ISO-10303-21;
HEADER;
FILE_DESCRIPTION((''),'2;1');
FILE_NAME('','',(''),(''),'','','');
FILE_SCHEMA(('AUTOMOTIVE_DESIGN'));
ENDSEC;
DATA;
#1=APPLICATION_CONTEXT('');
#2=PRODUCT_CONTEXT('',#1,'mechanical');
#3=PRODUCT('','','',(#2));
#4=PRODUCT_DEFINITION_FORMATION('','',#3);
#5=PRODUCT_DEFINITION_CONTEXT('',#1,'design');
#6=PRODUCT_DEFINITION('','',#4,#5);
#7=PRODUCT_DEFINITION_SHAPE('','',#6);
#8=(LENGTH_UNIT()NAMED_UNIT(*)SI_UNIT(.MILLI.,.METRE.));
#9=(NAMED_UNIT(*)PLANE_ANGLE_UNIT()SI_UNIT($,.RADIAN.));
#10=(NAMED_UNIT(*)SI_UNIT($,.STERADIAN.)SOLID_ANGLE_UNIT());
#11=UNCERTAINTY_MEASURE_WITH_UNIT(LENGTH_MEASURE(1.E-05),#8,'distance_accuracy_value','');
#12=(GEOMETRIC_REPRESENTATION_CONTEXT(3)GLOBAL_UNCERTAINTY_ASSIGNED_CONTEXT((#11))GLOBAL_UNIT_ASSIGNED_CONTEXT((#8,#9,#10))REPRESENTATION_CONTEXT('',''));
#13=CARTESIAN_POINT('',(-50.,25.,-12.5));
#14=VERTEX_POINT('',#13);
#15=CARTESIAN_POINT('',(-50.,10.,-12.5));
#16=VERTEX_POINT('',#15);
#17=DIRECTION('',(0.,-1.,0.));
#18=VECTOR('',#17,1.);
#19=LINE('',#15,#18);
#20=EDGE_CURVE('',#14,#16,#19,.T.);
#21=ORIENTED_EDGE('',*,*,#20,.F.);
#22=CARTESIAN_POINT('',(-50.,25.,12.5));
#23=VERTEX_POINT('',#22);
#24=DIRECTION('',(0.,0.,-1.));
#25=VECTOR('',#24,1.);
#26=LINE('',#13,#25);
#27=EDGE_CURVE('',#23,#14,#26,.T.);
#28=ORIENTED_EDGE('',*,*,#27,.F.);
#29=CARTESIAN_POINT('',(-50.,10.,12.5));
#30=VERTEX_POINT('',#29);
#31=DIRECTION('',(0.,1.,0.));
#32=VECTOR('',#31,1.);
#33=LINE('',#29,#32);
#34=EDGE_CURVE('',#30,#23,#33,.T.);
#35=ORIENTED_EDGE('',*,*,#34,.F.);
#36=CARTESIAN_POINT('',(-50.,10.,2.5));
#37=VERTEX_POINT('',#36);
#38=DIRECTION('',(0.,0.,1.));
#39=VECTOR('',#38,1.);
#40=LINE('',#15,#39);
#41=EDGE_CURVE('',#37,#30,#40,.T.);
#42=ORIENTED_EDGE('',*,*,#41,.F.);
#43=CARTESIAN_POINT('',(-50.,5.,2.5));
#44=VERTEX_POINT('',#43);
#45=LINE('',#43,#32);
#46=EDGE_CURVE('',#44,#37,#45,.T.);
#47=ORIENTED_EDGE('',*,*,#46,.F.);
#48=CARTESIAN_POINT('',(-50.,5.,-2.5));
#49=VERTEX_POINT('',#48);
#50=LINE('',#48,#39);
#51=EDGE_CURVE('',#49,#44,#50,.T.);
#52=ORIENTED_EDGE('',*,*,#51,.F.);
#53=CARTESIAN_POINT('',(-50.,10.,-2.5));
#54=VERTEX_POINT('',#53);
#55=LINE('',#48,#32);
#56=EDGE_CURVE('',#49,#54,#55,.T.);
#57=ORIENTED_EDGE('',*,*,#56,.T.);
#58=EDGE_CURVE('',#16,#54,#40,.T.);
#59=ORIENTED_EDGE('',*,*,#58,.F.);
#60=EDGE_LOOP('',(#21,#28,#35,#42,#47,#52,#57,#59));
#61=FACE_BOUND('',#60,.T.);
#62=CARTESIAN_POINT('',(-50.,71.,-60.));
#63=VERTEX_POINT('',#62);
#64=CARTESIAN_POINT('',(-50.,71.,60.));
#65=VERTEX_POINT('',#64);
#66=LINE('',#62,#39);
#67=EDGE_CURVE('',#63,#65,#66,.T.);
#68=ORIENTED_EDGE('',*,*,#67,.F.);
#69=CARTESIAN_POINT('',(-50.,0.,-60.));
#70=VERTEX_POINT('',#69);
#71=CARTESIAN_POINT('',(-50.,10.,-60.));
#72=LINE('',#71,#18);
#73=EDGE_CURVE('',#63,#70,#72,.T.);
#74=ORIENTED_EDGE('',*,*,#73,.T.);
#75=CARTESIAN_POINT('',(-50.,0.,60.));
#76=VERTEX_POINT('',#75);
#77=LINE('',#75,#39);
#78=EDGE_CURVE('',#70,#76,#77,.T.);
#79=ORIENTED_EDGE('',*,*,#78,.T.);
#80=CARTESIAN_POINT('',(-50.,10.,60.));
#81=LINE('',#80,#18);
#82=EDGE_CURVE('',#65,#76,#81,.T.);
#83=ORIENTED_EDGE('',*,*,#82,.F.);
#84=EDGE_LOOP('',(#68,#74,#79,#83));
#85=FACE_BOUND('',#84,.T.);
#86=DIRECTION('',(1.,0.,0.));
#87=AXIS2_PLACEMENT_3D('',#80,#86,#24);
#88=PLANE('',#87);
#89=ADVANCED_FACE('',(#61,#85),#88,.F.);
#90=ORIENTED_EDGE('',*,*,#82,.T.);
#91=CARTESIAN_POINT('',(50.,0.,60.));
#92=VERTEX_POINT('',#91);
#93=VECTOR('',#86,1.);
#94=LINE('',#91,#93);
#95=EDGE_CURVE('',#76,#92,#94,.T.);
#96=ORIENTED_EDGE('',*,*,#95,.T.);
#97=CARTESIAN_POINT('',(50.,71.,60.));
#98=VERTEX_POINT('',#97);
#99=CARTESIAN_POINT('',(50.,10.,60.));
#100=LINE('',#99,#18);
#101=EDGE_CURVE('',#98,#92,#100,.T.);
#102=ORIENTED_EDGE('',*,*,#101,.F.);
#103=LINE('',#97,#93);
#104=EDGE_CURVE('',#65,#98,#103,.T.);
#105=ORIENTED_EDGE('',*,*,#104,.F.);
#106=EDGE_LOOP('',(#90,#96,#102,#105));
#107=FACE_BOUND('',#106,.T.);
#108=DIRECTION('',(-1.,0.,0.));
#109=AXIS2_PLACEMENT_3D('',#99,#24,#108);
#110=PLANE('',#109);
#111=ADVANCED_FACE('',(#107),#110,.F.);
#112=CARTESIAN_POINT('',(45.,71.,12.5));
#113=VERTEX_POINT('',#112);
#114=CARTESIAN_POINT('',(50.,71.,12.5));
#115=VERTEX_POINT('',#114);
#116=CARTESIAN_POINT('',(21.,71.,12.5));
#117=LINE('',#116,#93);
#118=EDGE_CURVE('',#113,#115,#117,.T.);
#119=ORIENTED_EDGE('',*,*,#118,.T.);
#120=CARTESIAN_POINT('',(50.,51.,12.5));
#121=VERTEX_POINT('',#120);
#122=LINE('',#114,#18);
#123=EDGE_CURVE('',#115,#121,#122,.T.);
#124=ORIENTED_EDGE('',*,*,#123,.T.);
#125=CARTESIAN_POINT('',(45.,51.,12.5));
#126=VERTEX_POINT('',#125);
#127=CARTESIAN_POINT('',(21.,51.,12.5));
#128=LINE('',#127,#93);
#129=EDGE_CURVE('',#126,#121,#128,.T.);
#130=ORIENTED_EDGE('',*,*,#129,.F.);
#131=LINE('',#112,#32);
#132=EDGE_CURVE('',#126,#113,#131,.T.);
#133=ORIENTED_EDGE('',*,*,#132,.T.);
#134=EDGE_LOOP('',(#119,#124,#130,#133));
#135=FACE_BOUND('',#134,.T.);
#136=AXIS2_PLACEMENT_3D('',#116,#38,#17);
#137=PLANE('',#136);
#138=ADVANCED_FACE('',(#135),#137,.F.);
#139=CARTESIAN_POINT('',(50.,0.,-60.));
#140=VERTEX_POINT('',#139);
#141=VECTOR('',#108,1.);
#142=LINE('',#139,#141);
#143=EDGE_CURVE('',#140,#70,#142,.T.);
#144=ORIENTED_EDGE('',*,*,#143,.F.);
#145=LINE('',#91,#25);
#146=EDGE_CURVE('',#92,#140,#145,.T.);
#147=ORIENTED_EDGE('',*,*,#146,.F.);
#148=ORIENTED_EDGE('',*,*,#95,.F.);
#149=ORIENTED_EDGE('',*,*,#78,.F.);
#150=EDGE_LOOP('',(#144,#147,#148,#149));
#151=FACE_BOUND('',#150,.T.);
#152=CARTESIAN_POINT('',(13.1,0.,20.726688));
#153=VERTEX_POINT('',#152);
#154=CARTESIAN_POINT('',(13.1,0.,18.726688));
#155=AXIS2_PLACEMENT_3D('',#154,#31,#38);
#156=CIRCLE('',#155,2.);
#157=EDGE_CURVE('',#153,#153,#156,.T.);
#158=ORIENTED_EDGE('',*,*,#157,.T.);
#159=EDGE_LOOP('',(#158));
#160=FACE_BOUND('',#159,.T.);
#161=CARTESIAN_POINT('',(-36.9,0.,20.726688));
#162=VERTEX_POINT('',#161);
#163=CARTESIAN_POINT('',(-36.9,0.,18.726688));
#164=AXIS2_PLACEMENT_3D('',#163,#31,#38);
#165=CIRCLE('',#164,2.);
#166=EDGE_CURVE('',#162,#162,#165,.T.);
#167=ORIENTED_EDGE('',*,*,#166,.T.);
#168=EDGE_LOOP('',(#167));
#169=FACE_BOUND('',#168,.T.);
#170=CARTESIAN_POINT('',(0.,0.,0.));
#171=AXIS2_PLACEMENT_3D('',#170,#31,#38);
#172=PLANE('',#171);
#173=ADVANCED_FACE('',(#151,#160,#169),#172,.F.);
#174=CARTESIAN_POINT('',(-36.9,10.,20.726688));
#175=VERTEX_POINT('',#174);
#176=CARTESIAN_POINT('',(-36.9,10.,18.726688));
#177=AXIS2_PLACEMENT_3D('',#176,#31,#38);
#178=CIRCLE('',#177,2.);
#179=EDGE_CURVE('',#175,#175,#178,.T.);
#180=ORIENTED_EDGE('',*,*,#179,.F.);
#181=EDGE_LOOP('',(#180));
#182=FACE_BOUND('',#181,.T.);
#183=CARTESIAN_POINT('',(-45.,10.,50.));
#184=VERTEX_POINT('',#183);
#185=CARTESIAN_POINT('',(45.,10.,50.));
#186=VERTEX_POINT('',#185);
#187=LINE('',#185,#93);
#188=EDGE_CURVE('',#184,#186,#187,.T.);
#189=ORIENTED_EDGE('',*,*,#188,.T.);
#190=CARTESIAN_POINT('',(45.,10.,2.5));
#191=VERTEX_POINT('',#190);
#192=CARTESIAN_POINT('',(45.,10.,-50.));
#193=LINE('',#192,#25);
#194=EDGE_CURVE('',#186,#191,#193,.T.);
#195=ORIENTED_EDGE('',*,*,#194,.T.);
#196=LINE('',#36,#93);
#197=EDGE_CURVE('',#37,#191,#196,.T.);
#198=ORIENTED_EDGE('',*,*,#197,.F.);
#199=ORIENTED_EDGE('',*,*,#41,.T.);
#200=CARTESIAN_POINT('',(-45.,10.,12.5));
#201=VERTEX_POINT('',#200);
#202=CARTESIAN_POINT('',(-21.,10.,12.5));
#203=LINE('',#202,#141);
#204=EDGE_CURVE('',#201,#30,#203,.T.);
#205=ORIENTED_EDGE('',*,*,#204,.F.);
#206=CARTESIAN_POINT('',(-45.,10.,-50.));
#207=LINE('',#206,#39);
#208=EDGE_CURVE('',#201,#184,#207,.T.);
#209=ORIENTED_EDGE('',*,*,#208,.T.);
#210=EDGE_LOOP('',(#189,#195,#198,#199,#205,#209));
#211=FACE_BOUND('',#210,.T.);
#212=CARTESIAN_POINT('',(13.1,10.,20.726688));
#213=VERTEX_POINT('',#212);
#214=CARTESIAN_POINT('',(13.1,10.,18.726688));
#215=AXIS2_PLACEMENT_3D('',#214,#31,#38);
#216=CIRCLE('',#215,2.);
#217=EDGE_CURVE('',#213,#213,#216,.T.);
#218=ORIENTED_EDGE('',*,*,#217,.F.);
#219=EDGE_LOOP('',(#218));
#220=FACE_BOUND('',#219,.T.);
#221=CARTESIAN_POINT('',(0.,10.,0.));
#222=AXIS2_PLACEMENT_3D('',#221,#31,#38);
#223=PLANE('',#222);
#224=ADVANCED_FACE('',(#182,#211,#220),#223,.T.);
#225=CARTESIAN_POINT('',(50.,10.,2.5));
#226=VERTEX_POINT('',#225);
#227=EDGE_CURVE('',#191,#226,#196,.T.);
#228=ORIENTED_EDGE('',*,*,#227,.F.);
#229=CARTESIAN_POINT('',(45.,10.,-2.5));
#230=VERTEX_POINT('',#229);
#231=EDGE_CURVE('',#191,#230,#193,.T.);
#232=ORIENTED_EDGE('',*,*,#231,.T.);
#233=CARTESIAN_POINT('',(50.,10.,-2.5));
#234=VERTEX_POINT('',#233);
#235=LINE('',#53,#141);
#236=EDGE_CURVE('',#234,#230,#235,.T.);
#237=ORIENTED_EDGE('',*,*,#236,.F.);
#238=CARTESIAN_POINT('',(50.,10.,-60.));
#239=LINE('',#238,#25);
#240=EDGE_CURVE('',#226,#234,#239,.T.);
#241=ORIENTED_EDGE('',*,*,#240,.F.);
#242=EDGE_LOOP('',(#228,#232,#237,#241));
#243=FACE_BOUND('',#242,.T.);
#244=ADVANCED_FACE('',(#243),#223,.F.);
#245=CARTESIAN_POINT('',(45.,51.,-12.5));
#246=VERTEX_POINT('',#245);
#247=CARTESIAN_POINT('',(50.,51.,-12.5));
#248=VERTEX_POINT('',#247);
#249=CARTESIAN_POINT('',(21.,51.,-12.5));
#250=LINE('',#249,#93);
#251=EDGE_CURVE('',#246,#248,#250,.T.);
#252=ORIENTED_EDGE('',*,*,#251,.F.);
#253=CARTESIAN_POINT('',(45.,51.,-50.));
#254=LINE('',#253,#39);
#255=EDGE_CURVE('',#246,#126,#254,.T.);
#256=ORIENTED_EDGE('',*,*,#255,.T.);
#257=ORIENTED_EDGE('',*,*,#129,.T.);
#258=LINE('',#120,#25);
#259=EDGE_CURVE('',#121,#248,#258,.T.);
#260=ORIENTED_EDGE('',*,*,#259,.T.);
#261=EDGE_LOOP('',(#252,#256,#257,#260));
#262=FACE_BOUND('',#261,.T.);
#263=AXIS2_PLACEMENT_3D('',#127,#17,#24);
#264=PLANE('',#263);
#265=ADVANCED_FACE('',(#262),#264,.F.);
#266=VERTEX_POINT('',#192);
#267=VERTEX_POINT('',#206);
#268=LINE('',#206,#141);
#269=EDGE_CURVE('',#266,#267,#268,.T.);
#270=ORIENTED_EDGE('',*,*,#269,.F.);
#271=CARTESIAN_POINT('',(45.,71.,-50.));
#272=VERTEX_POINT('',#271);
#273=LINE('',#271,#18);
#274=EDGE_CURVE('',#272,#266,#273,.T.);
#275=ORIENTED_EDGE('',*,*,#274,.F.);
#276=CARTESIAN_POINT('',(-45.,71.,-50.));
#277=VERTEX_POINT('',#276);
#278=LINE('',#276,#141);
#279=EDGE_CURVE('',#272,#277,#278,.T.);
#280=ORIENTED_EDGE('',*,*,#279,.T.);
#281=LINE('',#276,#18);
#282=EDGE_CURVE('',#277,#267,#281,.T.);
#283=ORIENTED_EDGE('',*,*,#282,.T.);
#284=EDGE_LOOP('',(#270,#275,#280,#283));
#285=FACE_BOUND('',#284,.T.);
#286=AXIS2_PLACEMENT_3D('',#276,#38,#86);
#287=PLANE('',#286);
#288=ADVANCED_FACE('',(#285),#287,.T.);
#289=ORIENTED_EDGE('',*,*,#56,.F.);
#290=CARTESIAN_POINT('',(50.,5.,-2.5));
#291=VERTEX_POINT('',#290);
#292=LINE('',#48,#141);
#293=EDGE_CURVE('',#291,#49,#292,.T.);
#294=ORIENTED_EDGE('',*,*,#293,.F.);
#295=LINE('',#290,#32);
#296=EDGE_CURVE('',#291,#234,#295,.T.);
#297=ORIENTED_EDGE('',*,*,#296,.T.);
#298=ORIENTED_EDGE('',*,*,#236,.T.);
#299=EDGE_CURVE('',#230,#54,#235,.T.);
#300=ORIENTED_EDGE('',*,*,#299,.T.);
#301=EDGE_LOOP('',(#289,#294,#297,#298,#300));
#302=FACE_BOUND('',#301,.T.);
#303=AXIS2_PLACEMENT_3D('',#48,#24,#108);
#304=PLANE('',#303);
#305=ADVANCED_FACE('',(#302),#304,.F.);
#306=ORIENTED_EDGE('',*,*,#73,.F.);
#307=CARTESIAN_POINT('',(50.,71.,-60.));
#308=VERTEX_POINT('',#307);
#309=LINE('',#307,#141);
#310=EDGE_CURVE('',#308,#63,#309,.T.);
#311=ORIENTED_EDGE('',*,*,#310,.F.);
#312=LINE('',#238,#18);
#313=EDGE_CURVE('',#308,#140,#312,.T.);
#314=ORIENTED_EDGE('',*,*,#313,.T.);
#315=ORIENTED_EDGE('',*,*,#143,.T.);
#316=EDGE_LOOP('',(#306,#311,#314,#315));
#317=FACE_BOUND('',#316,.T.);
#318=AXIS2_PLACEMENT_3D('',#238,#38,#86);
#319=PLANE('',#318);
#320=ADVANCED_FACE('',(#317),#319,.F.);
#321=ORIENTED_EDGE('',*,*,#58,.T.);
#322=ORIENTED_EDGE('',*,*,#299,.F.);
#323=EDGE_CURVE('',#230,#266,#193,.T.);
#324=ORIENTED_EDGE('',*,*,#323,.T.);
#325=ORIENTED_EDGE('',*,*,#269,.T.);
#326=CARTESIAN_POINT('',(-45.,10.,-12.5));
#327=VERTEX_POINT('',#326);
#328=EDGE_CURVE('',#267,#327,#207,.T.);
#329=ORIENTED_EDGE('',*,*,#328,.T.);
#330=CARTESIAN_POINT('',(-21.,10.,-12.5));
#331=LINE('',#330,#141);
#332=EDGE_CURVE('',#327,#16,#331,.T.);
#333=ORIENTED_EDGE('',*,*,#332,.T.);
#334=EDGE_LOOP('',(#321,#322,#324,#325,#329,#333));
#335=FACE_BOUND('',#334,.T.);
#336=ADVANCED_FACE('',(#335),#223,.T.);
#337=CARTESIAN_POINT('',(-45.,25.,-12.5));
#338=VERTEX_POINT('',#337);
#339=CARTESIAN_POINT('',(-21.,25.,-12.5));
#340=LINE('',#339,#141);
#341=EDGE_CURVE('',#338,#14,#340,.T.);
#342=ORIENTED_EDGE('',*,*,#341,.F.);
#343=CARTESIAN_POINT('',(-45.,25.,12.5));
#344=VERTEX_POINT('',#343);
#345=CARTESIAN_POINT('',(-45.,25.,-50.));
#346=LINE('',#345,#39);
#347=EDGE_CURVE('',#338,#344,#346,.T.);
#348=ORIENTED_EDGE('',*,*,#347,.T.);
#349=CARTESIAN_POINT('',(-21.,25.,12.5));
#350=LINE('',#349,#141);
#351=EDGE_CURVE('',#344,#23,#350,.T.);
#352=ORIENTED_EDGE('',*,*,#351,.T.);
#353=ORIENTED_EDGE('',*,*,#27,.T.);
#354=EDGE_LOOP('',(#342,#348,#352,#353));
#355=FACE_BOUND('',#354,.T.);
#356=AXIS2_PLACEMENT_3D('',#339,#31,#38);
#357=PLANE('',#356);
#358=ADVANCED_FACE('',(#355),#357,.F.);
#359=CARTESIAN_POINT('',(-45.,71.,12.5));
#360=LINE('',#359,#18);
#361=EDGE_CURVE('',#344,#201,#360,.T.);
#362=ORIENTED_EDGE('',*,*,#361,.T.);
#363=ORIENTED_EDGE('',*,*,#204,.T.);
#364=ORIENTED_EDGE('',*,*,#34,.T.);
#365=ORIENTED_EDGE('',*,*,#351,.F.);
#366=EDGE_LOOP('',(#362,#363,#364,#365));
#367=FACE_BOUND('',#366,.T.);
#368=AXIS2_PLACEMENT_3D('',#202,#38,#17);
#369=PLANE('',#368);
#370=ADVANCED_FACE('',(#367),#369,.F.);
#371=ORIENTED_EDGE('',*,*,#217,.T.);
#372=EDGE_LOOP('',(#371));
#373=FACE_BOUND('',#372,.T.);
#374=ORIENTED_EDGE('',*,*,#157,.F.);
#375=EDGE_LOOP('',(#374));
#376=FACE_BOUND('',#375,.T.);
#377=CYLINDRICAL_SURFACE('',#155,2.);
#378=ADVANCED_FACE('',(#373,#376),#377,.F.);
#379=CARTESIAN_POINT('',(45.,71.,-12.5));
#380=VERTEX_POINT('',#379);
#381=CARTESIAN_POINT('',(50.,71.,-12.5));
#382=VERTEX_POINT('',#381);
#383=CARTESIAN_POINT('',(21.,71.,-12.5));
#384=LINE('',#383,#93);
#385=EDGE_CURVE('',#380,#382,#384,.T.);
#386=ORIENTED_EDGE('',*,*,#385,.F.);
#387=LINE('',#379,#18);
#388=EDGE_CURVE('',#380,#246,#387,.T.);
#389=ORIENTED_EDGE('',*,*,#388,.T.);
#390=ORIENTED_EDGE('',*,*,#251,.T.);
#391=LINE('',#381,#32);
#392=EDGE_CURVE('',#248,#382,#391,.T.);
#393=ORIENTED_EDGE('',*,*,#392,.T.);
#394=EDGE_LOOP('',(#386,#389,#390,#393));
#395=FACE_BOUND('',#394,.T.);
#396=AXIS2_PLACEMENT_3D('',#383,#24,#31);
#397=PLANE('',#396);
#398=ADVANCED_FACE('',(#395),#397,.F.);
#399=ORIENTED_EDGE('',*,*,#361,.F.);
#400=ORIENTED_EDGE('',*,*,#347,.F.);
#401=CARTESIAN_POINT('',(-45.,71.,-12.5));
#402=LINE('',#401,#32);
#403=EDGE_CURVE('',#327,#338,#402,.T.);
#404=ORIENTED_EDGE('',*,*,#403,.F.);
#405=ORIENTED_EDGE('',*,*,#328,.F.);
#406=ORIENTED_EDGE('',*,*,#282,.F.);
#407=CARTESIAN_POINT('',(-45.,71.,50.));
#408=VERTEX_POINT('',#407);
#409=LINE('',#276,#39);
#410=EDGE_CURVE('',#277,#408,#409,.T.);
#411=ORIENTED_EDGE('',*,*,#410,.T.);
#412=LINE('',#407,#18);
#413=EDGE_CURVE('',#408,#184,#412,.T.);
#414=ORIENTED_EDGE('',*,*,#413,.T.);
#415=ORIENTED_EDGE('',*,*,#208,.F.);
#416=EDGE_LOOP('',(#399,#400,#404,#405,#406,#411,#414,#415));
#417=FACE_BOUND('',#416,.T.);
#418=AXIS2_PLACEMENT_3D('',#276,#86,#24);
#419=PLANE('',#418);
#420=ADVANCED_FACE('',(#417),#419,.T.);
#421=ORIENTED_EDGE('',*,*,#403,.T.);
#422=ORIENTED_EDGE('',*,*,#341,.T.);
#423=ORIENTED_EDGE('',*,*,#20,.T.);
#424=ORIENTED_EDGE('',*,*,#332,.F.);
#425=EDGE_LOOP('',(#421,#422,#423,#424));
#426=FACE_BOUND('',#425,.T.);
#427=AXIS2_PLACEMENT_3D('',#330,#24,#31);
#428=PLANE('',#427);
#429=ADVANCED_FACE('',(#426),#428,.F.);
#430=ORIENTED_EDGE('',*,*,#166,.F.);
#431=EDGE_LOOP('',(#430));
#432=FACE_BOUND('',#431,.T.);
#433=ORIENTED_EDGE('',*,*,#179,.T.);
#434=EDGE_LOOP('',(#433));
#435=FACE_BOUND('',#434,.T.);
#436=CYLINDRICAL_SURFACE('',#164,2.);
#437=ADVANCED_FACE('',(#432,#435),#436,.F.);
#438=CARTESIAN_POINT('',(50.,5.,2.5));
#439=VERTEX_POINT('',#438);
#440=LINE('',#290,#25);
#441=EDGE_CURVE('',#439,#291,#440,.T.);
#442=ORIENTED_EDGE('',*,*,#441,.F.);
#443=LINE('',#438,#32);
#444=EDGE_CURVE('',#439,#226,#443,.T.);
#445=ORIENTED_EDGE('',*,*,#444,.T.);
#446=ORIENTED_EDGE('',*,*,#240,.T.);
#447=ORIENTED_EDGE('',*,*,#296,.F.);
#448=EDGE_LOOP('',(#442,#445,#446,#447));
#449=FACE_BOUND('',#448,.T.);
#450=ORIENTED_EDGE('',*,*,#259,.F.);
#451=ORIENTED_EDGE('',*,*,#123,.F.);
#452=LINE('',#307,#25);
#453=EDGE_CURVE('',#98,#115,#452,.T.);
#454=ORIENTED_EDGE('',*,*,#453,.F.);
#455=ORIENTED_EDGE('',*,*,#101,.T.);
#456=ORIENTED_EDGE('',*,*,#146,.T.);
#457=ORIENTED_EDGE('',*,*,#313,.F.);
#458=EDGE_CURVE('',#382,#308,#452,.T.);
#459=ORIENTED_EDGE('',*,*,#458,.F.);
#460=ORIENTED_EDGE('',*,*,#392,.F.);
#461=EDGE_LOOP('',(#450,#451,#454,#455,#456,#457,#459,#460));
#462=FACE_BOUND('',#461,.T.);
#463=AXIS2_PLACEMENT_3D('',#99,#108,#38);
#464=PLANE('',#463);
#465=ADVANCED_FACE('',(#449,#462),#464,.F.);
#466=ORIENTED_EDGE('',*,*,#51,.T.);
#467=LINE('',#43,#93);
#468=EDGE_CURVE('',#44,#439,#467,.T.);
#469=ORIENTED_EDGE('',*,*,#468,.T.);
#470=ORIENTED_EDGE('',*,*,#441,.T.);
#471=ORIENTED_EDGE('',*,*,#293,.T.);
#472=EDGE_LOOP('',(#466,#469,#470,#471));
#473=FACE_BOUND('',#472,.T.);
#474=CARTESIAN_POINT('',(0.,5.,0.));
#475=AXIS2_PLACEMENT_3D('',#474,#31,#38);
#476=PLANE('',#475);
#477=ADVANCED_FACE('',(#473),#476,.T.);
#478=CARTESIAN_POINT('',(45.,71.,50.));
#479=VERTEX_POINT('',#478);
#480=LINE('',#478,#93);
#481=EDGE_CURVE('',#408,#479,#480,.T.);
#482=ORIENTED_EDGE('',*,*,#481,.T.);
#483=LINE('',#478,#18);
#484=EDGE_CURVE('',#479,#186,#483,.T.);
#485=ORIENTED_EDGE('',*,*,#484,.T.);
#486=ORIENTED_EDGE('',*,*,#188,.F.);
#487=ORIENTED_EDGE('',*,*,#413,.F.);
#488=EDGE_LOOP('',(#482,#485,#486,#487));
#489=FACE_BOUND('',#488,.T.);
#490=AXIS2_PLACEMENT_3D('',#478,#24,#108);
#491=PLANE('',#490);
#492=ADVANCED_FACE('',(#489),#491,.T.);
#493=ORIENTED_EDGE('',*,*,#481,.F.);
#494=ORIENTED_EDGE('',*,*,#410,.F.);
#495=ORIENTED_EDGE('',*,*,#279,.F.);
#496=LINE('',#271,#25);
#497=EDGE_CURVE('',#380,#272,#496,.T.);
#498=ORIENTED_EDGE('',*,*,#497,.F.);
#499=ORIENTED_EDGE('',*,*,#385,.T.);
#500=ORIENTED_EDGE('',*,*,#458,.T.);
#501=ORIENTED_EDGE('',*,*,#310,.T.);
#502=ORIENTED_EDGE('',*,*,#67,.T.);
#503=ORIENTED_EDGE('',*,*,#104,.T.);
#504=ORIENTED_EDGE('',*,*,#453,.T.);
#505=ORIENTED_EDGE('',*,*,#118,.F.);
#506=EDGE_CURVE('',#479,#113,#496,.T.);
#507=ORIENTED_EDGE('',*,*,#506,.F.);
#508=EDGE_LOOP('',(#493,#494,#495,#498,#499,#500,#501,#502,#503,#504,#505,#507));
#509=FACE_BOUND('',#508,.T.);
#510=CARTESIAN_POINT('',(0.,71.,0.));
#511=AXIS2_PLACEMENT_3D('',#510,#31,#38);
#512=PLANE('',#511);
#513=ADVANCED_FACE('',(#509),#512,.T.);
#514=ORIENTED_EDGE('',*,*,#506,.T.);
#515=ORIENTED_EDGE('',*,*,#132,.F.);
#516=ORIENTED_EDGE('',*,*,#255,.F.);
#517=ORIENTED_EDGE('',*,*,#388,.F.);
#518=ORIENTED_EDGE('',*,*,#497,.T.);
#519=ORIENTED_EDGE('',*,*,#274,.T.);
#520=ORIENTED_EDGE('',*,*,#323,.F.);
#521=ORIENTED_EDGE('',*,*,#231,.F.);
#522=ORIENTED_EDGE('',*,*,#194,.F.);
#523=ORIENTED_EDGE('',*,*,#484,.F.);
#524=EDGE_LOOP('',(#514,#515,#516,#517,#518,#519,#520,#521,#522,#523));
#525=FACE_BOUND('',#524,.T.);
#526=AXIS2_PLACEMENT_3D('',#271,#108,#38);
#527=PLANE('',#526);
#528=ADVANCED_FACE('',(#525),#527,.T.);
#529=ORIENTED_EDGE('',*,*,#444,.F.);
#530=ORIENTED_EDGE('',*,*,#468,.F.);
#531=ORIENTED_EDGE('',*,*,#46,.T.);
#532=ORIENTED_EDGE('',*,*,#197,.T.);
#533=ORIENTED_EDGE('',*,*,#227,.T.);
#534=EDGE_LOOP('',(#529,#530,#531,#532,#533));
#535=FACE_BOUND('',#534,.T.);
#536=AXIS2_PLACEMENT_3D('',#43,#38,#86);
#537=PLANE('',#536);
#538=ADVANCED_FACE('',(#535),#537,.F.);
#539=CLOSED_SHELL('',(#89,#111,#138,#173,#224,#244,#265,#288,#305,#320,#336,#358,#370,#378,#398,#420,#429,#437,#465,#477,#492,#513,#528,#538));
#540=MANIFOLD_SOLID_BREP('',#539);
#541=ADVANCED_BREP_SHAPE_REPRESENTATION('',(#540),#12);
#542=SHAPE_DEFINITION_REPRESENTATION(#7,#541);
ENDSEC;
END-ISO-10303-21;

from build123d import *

# Parameters (mm, degrees)
SKETCH1_W           = 100
SKETCH1_H           = 120
BOSS_EXTRUDE1_DEPTH = 10
SKETCH2_W           = 100
SKETCH2_H           = 5
CUT_EXTRUDE1_DEPTH  = 5
SKETCH3_R           = 2
CUT_EXTRUDE2_DEPTH  = 10
SKETCH4_W           = 100
SKETCH4_H           = 120
SKETCH4_W_2         = 90
SKETCH4_H_2         = 100
BOSS_EXTRUDE2_DEPTH = 61
SKETCH5_W           = 25
SKETCH5_H           = 15
CUT_EXTRUDE3_DEPTH  = 29
SKETCH6_W           = 25
SKETCH6_H           = 20
CUT_EXTRUDE4_DEPTH  = 29


with BuildPart() as part:
    # Sketch1 → Boss-Extrude1 (new body)
    with BuildSketch(Plane(origin=(0, 0, 0), x_dir=(1, 0, 0), z_dir=(0, 1, 0))):
        Rectangle(SKETCH1_W, SKETCH1_H)
    extrude(amount=BOSS_EXTRUDE1_DEPTH)

    # Sketch2 → Cut-Extrude1 (cut)
    with BuildSketch(Plane(origin=(0, 10, 0), x_dir=(1, 0, 0), z_dir=(0, 1, 0))):
        Rectangle(SKETCH2_W, SKETCH2_H)
    extrude(amount=-CUT_EXTRUDE1_DEPTH, mode=Mode.SUBTRACT)

    # Sketch3 → Cut-Extrude2 (cut)
    with BuildSketch(Plane(origin=(0, 10, 0), x_dir=(1, 0, 0), z_dir=(0, 1, 0))):
        with Locations(Location((13.1, -18.726688176, 0), (0, 0, 270))):
            Circle(SKETCH3_R)
        with Locations(Location((-36.9, -18.726688176, 0), (0, 0, 270))):
            Circle(SKETCH3_R)
    extrude(amount=-CUT_EXTRUDE2_DEPTH, mode=Mode.SUBTRACT)

    # Sketch4 → Boss-Extrude2 (add)
    with BuildSketch(Plane(origin=(0, 10, 0), x_dir=(1, 0, 0), z_dir=(0, 1, 0))):
        Rectangle(SKETCH4_W, SKETCH4_H)
        Rectangle(SKETCH4_W_2, SKETCH4_H_2, mode=Mode.SUBTRACT)
    extrude(amount=BOSS_EXTRUDE2_DEPTH)

    # Sketch5 → Cut-Extrude3 (cut)
    with BuildSketch(Plane.ZY.offset(50)):
        with Locations((0, 17.5)):
            Rectangle(SKETCH5_W, SKETCH5_H)
    extrude(amount=-CUT_EXTRUDE3_DEPTH, mode=Mode.SUBTRACT)

    # Sketch6 → Cut-Extrude4 (cut)
    with BuildSketch(Plane(origin=(50, 0, 0), x_dir=(0, 0, -1), z_dir=(1, 0, 0))):
        with Locations((0, 61)):
            Rectangle(SKETCH6_W, SKETCH6_H)
    extrude(amount=-CUT_EXTRUDE4_DEPTH, mode=Mode.SUBTRACT)


solid = part.part
